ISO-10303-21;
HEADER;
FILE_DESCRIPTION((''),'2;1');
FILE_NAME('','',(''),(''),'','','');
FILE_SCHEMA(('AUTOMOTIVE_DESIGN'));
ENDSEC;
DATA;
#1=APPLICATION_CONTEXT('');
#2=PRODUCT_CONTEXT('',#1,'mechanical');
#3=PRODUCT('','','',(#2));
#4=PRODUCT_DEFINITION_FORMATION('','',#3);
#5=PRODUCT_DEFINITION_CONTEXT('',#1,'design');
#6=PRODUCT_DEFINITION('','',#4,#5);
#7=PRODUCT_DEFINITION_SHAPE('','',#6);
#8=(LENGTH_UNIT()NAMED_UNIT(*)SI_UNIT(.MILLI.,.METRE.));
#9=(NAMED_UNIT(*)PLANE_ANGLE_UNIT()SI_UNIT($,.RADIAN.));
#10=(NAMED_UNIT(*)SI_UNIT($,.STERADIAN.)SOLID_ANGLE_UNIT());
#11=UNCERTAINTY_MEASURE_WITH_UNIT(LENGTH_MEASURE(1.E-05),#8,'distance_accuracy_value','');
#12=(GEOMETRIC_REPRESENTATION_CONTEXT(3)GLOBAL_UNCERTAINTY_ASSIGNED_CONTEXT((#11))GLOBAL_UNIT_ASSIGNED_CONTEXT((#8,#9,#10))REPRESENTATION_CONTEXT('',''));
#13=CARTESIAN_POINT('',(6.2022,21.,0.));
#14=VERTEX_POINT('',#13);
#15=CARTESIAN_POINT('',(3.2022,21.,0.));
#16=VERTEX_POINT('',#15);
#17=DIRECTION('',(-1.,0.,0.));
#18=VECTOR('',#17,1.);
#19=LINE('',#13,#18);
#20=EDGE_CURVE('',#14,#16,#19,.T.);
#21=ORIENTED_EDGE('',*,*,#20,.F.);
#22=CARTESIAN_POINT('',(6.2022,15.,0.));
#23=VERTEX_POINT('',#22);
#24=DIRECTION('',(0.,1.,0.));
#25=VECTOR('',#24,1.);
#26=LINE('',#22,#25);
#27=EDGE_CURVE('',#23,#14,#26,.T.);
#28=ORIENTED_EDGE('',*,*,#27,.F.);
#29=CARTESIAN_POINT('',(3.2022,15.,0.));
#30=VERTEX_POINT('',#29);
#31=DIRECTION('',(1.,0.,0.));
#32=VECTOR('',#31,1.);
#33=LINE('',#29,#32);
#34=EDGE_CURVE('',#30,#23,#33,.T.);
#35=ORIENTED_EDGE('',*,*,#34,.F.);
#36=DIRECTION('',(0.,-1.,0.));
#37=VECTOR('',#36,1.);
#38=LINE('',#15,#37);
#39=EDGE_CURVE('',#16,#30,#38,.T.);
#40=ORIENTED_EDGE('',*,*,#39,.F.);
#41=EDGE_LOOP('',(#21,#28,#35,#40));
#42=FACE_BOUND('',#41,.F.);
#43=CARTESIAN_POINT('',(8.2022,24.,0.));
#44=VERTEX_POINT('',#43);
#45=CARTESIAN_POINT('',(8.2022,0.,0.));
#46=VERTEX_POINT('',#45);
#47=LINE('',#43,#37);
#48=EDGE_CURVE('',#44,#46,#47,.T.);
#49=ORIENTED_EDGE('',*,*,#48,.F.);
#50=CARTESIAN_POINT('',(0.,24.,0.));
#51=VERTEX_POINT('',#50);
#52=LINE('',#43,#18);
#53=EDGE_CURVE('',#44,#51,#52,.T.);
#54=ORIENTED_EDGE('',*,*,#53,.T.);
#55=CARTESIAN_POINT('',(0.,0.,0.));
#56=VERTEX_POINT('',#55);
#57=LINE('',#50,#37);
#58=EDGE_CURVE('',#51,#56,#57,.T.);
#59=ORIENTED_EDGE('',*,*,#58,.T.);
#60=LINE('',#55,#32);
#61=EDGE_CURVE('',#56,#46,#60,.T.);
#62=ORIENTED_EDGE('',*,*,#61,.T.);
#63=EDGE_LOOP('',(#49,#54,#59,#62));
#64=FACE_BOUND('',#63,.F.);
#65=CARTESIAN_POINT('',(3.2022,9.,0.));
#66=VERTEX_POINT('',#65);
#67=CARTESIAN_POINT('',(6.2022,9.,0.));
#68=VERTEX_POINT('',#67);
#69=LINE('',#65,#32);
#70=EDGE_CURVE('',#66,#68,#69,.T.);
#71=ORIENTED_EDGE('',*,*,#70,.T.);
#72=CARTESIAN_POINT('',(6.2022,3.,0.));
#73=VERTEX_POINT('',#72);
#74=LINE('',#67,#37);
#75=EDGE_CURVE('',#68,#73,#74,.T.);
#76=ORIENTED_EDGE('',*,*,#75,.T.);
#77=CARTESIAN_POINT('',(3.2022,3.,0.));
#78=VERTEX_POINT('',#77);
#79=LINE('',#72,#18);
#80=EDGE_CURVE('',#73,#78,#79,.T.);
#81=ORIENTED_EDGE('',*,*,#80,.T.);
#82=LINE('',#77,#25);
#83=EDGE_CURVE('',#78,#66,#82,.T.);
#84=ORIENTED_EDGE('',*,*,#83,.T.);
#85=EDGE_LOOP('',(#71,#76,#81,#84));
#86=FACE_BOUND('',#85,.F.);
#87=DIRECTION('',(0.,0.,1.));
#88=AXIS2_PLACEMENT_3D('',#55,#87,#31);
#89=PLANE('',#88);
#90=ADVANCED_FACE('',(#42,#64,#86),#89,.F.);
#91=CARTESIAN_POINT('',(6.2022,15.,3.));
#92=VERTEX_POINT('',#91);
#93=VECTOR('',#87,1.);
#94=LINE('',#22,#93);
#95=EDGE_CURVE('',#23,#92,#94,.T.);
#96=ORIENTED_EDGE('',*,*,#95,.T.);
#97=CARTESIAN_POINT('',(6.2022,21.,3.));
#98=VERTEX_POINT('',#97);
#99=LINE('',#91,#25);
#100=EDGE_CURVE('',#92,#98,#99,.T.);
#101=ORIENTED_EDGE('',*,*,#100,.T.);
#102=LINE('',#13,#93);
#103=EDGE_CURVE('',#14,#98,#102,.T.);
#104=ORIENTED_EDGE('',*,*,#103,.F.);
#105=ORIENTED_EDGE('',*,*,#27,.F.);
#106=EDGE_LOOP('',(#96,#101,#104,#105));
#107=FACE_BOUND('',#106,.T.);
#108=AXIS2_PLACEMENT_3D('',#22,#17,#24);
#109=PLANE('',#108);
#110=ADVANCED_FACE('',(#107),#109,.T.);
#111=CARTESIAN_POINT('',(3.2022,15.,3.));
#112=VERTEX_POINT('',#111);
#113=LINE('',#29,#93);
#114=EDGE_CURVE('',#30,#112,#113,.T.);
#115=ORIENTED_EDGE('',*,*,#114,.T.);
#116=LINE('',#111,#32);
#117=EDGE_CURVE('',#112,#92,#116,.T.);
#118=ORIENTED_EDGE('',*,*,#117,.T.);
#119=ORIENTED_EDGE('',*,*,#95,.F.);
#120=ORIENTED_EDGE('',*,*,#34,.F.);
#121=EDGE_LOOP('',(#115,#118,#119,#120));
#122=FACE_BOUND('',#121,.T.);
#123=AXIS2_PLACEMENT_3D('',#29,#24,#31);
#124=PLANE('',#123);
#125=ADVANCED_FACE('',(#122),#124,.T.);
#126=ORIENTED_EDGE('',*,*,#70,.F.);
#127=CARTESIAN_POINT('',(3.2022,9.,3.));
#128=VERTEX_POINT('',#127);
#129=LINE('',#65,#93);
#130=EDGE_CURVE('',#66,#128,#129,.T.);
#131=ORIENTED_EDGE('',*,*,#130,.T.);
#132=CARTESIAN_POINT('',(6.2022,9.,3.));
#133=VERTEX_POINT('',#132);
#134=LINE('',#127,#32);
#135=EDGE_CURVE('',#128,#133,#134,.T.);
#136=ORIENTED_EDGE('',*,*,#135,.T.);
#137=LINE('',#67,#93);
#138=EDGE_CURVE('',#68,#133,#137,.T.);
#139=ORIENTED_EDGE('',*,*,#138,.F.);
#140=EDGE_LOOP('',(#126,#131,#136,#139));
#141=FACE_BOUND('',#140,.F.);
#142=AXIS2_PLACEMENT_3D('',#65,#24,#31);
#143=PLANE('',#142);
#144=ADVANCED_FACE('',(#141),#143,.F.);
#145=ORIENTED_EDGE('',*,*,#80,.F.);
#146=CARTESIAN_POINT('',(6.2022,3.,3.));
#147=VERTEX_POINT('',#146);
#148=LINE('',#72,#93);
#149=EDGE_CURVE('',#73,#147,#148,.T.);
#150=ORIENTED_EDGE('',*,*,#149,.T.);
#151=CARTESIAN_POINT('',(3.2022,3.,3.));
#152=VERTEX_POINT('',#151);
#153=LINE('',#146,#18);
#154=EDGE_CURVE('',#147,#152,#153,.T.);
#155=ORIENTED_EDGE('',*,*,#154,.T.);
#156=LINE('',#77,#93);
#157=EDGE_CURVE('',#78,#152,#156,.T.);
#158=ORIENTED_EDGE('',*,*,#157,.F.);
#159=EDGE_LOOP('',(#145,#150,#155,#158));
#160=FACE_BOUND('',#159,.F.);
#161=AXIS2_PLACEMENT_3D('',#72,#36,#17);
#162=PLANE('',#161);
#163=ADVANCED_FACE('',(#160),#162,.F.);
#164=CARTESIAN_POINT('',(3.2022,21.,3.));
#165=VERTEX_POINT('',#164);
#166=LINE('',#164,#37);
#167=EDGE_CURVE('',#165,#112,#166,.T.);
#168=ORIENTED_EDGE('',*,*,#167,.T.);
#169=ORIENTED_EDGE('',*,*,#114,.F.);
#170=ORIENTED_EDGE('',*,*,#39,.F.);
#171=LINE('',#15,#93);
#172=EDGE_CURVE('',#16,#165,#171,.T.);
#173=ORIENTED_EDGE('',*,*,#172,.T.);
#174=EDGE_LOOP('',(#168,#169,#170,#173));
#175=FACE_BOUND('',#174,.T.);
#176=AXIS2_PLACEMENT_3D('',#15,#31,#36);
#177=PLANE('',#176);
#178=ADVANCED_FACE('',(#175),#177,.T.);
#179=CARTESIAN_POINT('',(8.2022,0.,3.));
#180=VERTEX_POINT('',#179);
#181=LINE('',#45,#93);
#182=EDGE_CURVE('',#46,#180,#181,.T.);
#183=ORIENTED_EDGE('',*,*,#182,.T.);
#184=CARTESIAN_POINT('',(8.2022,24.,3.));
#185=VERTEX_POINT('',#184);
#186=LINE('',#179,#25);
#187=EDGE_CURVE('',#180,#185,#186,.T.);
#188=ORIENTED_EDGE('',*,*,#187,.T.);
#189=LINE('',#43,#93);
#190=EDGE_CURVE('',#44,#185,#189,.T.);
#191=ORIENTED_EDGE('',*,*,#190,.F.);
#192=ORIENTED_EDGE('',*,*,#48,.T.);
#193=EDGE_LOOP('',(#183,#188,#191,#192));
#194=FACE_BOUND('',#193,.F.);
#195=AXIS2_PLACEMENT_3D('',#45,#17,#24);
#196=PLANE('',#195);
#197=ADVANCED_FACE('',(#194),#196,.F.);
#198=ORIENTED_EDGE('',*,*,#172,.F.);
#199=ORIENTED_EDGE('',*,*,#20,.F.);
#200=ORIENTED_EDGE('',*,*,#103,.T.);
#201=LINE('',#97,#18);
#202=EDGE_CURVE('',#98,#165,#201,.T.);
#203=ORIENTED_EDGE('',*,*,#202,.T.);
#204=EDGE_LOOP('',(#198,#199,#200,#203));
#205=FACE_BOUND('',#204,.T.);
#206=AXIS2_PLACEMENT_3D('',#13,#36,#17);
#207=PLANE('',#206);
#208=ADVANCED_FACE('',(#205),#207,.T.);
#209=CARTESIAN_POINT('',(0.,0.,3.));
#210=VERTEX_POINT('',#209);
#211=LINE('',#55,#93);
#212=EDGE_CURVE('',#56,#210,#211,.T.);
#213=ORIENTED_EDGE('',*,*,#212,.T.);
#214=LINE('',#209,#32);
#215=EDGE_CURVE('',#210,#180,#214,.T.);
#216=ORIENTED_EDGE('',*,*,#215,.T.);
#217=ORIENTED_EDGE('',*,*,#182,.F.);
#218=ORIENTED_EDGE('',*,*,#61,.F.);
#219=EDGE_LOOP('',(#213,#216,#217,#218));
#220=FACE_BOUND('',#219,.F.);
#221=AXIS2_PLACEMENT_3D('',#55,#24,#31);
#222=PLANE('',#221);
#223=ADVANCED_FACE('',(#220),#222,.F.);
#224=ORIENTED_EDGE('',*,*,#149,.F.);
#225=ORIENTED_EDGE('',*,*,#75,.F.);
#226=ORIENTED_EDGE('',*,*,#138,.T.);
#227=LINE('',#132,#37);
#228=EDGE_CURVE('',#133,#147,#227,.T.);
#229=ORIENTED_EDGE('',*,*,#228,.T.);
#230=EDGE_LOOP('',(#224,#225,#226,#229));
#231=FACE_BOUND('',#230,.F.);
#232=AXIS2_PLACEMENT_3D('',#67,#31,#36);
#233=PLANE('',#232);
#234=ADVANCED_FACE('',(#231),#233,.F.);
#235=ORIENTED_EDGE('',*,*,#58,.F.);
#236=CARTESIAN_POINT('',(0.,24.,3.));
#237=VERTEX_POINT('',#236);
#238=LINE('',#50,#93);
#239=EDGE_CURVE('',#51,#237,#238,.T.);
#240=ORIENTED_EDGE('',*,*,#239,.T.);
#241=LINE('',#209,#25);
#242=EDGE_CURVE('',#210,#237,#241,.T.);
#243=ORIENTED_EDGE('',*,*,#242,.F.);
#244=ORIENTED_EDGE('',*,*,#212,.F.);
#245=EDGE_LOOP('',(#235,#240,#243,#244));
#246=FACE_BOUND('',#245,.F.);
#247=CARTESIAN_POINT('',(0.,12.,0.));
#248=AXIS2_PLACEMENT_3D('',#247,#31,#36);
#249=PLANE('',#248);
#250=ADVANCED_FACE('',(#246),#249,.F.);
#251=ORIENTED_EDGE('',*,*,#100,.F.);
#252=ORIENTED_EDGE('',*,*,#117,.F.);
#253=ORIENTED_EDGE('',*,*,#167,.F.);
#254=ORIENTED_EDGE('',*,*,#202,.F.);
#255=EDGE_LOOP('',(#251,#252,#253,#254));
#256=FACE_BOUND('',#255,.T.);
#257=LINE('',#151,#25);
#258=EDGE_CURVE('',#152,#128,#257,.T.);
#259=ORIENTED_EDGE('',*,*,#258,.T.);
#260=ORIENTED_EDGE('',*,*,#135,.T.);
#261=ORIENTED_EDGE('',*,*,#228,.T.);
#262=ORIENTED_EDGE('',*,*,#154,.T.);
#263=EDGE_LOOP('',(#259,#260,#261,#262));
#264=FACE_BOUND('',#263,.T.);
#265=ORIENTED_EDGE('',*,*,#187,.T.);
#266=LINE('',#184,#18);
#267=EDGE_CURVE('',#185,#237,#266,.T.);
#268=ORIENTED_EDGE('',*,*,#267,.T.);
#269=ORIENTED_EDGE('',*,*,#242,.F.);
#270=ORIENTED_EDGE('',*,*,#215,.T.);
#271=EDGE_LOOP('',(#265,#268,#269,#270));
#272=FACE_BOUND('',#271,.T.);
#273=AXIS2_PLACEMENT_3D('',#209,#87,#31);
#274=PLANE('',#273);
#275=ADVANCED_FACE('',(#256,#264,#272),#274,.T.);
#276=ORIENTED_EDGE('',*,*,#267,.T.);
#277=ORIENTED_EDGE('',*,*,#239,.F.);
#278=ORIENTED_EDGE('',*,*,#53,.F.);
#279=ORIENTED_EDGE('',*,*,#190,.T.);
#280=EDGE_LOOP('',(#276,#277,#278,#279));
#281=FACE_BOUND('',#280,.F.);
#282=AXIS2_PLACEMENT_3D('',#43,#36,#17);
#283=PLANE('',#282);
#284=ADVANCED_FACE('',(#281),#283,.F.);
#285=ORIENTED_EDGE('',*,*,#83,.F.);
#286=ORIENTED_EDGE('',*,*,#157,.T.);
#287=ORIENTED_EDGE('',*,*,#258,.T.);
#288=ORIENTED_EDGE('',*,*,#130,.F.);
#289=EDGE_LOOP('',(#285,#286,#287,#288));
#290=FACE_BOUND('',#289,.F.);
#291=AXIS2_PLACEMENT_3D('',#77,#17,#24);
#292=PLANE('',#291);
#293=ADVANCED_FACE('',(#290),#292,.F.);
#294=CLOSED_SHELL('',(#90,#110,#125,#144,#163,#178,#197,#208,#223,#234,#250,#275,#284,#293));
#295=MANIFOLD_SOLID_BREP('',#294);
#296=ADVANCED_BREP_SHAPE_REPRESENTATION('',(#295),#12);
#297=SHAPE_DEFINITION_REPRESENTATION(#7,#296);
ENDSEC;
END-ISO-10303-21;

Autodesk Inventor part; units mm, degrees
ref_plane "YZ Plane" through (0, 0, 0) normal (1, 0, 0) x (0, 1, 0)
ref_plane "XZ Plane" through (0, 0, 0) normal (0, 1, 0) x (-1, 0, 0)
ref_plane "XY Plane" through (0, 0, 0) normal (0, 0, 1) x (1, 0, 0)
sketch "Sketch1" plane through (0, 0, 0) normal (0, 0, 1) x (1, 0, 0)
  line L0 (0, 0) -> (8.2022, 0)
  line L1 (8.2022, 0) -> (8.2022, 24)
  line L2 (8.2022, 24) -> (0, 24)
  line L3 (0, 24) -> (0, 0)
  line L4 (6.2022, 21) -> (3.2022, 21)
  line L5 (3.2022, 21) -> (3.2022, 15)
  line L6 (3.2022, 15) -> (6.2022, 15)
  line L7 (6.2022, 15) -> (6.2022, 21)
  line L8 (10.1659, 12) -> (-5.2678, 12)
  line L9 (6.2022, 3) -> (3.2022, 3)
  line L10 (3.2022, 3) -> (3.2022, 9)
  line L11 (3.2022, 9) -> (6.2022, 9)
  line L12 (6.2022, 9) -> (6.2022, 3)
  dimension "d0" = 24
  dimension "d1" = 3
  dimension "d2" = 6
  dimension "d3" = 3
  dimension "d4" = 2
extrude "Extrusion1" add sketch "Sketch1" along normal blind 3
equation "\"d0\" = CameraHeight"
equation "\"d1\" = Acrylic"
equation "\"d2\" = 0.25 * CameraHeight"
equation "\"d5\" = Acrylic"
equation "\"Acrylic\" = 3"
equation "\"CameraHeight\" = 24"
equation "\"CameraWidth\" = 25"
properties part number "SideClip"
